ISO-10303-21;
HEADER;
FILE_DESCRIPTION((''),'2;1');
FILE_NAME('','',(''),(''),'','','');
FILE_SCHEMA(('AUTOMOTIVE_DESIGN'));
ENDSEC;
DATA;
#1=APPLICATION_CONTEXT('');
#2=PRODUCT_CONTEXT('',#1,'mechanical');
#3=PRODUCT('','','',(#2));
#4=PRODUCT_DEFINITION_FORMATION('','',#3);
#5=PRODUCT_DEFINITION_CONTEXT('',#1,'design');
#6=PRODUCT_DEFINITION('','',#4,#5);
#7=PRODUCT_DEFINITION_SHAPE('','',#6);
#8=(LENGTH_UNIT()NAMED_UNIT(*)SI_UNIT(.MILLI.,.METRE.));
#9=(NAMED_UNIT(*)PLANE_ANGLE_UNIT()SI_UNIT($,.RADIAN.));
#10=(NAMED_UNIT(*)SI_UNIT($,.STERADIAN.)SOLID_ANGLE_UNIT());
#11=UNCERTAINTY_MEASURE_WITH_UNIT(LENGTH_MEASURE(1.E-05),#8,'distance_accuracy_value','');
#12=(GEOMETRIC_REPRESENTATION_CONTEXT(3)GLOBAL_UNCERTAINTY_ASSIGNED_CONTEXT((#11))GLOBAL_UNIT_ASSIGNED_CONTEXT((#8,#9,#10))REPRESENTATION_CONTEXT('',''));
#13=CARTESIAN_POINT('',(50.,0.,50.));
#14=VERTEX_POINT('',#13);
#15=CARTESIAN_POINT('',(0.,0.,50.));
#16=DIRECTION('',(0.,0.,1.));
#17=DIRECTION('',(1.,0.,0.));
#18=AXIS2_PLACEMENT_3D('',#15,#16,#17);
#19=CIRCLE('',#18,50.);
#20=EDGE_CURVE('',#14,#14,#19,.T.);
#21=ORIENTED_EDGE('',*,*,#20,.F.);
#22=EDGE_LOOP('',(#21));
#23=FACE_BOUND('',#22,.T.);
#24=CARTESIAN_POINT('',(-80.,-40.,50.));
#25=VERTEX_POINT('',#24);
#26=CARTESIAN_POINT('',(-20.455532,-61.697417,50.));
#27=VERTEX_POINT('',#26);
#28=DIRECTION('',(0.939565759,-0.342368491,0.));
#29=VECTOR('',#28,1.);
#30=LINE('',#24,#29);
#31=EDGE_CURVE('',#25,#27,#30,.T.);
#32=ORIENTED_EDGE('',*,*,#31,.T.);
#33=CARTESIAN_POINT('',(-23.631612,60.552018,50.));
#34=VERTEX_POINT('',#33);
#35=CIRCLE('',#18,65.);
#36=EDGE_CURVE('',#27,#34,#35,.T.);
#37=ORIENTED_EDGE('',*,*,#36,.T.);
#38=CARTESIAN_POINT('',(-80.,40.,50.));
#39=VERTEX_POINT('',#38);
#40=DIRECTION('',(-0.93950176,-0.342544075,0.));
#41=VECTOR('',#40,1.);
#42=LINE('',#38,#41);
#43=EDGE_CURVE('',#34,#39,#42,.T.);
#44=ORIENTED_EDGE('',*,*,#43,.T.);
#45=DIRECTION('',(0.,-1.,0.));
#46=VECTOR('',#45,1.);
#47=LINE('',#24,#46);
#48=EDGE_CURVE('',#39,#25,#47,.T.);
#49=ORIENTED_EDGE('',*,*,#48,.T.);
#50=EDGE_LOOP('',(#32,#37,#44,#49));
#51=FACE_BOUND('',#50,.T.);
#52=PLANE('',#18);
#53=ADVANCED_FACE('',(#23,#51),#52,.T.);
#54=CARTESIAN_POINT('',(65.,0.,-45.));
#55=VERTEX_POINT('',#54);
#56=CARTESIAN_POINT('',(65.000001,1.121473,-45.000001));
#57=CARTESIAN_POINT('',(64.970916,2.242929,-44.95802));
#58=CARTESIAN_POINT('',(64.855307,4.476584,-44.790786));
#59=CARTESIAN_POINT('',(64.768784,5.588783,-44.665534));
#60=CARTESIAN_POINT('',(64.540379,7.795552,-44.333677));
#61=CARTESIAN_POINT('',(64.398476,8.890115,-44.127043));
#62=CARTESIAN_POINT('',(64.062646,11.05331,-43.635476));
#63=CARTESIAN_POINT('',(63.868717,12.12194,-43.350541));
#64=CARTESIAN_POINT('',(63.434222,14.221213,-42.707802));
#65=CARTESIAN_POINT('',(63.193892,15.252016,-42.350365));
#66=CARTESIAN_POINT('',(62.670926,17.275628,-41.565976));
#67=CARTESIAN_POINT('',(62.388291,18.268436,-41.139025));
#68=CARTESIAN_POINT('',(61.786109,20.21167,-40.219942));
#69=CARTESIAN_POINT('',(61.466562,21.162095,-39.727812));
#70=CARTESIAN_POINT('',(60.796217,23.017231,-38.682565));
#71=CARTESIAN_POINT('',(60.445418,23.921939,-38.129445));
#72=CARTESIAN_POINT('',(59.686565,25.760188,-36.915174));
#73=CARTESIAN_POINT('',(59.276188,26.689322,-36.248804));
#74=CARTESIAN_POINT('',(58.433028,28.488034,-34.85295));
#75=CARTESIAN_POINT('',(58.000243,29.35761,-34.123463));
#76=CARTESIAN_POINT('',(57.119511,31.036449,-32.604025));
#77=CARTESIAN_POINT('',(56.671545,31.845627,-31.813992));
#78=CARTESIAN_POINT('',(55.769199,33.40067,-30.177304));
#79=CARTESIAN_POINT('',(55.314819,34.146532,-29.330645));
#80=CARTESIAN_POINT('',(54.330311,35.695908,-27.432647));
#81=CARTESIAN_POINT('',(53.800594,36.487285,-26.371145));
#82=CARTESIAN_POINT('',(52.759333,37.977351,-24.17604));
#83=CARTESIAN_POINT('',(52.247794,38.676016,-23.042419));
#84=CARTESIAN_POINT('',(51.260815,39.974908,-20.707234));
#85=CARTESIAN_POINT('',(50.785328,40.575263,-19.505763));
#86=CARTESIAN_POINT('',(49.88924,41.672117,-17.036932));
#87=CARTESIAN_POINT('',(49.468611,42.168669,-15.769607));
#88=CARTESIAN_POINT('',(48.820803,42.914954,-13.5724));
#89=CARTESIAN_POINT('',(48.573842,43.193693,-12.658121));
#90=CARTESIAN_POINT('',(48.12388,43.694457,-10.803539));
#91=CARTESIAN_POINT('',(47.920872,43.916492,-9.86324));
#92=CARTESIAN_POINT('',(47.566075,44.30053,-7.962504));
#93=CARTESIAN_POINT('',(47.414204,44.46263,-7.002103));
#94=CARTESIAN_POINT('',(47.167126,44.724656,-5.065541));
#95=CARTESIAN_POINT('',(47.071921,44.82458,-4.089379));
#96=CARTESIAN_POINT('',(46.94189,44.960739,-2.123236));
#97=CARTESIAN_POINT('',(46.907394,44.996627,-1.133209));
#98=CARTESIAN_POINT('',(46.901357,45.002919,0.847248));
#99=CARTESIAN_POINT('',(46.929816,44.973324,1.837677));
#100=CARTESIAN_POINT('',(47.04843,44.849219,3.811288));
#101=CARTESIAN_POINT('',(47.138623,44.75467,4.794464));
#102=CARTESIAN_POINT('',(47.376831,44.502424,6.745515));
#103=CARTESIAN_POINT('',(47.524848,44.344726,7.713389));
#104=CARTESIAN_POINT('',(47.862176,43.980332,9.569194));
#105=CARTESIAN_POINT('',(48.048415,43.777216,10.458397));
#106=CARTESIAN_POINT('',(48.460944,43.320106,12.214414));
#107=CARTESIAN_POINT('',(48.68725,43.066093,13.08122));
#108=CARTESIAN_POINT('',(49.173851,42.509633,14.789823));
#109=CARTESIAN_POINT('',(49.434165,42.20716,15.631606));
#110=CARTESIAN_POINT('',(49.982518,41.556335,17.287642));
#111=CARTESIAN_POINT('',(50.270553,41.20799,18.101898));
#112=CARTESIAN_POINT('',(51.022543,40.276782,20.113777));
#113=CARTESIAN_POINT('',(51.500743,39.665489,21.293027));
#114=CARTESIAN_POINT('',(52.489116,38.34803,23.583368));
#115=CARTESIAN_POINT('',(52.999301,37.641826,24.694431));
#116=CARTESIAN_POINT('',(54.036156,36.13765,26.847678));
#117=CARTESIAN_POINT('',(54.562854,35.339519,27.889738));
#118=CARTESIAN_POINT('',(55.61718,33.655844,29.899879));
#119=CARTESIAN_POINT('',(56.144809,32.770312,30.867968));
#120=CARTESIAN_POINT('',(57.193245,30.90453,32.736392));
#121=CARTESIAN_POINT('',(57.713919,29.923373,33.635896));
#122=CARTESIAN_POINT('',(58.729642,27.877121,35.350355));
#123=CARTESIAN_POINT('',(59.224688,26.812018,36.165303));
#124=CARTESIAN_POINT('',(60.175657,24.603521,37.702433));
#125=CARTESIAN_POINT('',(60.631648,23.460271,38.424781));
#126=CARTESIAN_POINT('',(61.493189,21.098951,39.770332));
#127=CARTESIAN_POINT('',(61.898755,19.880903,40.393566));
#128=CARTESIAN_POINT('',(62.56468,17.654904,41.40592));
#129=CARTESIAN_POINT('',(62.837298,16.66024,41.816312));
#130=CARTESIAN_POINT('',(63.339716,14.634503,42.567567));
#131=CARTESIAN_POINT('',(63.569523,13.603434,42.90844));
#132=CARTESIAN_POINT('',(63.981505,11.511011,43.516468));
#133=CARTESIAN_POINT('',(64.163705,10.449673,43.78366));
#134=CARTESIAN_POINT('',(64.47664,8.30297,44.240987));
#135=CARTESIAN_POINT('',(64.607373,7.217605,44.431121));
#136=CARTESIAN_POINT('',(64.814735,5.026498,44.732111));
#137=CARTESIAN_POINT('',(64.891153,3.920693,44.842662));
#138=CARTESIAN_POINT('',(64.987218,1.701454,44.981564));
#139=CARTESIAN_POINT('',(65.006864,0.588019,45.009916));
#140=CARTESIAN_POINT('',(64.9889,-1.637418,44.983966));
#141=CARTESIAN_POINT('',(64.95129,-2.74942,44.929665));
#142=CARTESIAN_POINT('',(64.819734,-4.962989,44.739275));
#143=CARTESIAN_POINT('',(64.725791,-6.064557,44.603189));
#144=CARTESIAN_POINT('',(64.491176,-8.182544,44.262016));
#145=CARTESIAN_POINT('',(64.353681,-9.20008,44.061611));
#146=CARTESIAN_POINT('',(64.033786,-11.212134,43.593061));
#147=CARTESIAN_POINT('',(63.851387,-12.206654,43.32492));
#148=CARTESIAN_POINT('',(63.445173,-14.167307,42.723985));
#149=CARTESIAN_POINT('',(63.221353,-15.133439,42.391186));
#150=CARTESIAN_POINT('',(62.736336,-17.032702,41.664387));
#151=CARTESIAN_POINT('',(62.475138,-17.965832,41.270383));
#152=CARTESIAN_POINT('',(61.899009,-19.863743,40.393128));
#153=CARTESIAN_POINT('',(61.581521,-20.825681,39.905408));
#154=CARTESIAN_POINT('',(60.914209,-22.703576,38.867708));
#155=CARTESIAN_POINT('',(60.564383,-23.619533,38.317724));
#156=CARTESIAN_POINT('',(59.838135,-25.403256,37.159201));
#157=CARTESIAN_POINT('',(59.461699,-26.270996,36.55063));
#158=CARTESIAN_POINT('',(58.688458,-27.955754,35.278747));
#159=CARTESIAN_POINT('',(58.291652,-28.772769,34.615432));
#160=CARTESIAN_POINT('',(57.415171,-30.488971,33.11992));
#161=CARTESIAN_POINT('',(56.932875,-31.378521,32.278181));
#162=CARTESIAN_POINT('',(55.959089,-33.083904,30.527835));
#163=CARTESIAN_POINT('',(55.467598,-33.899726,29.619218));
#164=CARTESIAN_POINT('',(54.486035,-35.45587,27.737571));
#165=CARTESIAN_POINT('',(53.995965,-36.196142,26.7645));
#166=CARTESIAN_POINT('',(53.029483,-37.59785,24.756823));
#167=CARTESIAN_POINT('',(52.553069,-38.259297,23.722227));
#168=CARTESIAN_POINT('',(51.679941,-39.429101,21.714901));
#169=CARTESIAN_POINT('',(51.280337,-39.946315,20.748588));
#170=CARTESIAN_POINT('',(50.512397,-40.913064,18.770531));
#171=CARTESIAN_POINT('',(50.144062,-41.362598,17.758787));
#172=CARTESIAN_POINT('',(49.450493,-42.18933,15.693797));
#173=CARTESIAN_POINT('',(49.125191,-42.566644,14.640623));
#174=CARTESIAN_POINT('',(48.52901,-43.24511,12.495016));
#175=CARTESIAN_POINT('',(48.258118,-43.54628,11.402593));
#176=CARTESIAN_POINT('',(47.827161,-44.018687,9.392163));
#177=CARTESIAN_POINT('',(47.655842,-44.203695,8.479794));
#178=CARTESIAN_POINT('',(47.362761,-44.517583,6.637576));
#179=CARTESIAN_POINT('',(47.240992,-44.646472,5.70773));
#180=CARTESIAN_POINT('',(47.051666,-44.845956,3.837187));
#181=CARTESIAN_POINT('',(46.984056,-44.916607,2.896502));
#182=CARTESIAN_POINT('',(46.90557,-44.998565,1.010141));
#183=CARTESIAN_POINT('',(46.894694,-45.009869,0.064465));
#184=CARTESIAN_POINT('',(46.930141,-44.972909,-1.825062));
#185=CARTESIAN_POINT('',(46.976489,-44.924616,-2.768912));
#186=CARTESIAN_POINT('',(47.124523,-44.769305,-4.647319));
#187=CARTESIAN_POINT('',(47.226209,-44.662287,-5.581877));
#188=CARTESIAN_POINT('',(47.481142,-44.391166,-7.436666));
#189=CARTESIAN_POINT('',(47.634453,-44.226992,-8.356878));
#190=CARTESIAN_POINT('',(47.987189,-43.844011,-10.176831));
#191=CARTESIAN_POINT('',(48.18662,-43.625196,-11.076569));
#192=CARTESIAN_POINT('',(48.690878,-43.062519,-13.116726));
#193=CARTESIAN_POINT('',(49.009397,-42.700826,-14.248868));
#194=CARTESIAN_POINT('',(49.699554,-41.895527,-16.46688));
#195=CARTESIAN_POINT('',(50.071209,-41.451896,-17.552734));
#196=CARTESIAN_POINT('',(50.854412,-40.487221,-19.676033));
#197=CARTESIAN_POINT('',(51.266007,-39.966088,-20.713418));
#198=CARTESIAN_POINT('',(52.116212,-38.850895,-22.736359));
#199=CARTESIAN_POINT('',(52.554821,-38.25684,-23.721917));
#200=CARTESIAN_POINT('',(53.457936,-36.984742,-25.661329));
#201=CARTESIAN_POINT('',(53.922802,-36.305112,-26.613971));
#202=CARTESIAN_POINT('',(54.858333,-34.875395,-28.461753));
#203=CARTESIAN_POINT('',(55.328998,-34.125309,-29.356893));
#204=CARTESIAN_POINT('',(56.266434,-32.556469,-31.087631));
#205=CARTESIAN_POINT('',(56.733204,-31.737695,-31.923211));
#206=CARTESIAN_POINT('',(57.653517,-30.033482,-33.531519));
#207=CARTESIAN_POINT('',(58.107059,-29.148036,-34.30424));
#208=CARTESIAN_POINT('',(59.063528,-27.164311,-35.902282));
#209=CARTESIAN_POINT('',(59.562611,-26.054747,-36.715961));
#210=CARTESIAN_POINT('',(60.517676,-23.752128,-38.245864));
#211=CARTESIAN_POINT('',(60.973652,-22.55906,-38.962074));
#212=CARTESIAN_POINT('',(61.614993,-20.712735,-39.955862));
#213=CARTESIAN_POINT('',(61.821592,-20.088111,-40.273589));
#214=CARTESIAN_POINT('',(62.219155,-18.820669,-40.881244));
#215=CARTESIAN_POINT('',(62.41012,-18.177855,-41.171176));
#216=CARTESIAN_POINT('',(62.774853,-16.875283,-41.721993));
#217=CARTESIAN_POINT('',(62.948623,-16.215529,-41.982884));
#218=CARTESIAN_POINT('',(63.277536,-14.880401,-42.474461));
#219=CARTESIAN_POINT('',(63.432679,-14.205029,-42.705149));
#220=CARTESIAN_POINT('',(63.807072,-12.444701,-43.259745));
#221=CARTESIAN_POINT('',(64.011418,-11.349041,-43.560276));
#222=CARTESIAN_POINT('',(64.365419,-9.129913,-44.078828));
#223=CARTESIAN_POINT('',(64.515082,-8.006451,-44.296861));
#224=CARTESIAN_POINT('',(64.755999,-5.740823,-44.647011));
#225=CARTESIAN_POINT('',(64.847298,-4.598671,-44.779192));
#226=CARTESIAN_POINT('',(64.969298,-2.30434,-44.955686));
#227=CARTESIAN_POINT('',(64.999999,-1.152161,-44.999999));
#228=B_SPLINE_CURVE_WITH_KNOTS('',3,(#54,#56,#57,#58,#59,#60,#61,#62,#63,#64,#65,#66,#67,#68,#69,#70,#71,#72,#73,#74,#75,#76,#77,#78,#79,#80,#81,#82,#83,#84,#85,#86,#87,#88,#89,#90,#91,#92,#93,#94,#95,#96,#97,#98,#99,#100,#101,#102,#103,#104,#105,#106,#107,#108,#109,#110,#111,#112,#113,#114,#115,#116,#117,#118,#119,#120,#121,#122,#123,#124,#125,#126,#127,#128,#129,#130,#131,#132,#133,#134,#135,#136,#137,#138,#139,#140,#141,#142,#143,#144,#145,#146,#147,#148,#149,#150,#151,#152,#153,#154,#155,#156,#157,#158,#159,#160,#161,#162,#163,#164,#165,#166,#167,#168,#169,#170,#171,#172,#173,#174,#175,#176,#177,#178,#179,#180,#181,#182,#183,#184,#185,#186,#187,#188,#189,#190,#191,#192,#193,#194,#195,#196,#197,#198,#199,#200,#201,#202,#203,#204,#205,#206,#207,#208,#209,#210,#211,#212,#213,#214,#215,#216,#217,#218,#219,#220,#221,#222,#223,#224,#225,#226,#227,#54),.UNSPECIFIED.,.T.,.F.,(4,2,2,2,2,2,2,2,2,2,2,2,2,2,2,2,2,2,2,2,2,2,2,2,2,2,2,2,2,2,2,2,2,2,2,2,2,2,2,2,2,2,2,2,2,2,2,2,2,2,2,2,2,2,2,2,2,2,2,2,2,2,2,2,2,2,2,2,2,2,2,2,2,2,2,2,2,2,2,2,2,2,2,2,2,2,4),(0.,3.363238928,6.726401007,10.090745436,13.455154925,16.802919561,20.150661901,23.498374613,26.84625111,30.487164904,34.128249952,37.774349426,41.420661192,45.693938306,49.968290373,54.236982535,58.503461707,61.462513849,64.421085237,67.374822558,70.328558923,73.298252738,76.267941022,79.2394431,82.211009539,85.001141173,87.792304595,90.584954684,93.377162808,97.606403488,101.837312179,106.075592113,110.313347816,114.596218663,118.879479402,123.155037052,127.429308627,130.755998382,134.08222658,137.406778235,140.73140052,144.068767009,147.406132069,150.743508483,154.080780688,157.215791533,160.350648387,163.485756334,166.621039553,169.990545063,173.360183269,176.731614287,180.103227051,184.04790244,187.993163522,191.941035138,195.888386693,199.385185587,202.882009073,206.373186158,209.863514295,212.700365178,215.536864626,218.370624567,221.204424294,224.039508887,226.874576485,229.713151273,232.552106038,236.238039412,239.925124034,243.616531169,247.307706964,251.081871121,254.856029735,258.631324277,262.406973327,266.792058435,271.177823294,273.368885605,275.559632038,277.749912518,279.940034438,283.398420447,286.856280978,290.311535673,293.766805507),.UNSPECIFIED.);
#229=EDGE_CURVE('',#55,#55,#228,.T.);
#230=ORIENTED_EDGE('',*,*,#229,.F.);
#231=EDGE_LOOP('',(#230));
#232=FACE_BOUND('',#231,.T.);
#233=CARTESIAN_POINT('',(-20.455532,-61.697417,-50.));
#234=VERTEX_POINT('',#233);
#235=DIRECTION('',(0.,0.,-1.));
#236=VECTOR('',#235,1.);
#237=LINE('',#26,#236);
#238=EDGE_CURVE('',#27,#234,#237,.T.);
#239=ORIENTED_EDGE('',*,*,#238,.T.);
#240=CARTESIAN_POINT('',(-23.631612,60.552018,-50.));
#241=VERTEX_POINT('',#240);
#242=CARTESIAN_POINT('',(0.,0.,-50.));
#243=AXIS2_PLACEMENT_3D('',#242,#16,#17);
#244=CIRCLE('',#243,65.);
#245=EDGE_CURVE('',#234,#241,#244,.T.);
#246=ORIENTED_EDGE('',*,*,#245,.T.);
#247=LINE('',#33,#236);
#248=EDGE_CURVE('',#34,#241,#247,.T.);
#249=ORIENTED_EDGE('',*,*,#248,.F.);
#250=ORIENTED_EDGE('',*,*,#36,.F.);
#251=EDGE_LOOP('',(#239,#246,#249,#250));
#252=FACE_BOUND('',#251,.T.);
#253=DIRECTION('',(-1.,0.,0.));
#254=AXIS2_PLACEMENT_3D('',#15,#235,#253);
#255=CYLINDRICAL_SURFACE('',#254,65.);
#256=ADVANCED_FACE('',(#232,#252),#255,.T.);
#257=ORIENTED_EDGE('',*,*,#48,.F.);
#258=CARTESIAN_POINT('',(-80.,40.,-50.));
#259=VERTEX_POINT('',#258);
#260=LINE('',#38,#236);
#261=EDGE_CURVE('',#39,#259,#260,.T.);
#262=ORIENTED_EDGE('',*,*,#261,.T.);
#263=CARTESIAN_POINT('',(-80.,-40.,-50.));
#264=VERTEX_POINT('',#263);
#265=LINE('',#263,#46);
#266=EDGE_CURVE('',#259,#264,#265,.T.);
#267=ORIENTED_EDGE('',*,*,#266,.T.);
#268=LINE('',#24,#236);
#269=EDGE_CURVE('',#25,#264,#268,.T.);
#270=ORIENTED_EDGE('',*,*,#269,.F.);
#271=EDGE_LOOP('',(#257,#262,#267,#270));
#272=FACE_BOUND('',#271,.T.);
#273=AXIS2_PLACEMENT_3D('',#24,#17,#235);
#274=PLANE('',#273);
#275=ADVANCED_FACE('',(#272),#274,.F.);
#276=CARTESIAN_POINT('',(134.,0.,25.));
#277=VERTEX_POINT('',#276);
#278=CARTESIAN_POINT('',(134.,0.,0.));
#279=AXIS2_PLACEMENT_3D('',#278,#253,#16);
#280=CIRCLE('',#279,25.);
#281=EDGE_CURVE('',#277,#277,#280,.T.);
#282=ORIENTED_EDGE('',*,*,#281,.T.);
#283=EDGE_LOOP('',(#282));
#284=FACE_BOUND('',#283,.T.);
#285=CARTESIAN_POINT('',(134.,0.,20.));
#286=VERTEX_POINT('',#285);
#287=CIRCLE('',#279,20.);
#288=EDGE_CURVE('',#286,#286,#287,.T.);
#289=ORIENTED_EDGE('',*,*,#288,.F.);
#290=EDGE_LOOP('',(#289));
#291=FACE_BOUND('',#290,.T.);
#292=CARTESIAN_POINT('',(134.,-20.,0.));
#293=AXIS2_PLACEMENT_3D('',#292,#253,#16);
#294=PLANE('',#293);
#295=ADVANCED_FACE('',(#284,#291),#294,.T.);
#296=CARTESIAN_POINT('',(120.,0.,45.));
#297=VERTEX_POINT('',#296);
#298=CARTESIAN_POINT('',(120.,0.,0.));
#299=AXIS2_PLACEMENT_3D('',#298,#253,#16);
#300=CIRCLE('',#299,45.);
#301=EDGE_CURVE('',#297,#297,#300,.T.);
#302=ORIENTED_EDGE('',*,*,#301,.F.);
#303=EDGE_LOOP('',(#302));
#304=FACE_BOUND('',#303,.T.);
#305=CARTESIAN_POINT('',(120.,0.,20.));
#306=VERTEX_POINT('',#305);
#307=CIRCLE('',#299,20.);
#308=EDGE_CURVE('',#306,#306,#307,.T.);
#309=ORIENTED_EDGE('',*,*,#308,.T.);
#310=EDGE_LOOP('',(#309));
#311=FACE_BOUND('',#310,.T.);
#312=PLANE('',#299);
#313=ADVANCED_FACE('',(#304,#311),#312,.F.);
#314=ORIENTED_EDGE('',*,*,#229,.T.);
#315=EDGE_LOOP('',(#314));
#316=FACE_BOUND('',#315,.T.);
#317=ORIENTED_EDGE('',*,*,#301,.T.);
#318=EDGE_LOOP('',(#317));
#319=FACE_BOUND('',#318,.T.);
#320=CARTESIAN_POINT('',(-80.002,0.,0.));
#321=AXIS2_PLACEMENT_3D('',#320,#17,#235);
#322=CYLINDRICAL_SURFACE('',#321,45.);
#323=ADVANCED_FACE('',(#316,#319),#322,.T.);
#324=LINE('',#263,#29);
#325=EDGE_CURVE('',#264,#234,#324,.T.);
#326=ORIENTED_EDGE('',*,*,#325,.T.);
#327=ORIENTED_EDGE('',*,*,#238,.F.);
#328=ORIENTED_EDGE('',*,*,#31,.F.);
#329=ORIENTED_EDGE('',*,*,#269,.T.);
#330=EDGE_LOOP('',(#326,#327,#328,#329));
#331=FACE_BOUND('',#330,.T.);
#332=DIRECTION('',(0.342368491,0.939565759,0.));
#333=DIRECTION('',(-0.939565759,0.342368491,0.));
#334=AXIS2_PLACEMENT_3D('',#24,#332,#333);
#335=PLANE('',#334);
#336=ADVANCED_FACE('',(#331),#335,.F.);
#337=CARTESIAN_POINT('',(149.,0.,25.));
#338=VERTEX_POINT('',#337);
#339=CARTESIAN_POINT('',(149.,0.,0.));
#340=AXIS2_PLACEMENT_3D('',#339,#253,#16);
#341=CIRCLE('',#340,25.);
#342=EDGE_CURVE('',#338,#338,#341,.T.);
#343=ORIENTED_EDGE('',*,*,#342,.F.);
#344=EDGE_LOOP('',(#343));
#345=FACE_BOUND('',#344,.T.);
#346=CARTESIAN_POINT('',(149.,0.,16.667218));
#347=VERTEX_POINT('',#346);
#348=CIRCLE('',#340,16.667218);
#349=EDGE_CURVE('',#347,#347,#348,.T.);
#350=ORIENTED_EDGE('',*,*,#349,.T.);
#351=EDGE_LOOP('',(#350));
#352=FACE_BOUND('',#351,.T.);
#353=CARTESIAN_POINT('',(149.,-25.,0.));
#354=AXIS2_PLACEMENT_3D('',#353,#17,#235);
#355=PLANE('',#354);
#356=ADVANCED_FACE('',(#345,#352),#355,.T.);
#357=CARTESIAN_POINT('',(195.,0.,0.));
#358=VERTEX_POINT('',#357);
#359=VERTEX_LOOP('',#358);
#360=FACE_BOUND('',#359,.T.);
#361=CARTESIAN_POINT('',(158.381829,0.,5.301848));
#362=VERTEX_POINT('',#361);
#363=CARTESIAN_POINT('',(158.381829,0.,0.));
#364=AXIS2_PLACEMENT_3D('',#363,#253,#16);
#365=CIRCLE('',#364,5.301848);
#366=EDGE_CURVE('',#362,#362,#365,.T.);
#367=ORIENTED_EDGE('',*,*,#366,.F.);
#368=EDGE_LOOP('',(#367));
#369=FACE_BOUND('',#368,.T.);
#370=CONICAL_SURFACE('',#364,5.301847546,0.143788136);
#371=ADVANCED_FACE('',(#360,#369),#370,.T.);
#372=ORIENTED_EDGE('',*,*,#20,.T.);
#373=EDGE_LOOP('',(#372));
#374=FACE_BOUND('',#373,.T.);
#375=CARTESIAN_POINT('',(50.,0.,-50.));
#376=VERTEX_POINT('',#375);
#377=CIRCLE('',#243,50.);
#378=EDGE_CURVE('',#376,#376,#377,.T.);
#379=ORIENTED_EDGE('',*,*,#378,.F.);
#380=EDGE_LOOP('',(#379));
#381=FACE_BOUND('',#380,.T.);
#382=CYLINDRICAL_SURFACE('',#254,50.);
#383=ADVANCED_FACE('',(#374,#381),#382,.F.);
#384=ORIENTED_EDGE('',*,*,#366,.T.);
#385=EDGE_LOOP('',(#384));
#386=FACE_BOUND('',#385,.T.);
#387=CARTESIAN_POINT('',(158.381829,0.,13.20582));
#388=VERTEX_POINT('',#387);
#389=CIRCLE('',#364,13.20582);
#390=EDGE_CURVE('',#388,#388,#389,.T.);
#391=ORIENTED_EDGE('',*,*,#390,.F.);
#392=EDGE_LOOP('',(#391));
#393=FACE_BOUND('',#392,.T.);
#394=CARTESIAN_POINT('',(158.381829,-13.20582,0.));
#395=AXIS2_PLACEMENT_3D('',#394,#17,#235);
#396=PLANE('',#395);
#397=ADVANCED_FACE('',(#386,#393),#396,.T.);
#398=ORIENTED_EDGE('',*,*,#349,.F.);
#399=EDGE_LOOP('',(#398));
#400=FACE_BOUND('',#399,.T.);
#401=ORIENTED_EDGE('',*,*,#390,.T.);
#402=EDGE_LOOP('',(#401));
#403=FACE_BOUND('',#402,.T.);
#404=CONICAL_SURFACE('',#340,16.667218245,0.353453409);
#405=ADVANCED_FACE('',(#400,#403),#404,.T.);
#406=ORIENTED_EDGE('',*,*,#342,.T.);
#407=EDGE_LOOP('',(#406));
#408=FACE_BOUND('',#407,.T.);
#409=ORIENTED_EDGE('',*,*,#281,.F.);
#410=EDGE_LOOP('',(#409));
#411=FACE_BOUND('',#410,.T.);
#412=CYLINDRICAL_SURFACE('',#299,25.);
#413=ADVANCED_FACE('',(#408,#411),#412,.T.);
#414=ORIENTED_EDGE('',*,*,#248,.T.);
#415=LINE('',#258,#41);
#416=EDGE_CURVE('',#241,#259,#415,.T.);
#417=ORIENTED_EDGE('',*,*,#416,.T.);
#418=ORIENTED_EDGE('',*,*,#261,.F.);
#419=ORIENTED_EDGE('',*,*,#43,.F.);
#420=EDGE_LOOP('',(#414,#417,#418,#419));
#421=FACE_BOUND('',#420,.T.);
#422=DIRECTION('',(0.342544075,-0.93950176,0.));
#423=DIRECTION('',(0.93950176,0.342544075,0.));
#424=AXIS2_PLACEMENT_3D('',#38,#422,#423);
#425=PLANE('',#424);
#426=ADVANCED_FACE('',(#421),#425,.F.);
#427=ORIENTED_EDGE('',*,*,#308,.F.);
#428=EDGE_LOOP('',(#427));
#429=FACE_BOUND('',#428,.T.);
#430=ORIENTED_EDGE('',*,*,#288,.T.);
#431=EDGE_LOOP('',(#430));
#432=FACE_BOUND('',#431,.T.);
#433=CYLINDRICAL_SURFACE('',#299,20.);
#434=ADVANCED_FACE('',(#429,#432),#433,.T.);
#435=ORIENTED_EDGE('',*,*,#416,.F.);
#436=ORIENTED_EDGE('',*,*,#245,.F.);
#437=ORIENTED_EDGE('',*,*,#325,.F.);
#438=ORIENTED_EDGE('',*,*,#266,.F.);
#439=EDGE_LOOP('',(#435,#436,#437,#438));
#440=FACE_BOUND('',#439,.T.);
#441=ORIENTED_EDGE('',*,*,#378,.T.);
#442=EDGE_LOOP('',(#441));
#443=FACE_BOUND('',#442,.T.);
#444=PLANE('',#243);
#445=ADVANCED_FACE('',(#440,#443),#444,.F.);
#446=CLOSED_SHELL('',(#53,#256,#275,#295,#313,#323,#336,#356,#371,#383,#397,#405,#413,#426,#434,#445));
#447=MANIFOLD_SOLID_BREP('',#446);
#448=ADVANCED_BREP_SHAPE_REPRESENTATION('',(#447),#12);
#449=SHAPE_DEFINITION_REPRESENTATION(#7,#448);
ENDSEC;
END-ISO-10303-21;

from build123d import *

# Parameters (mm, degrees)
SKETCH1_R                = 50
BOSS_EXTRUDE1_DEPTH      = 50
BOSS_EXTRUDE2_REACH      = 218.16
BOSS_EXTRUDE2_END_RADIUS = 65
SKETCH3_R                = 45


with BuildPart() as part:
    # Sketch1 → Boss-Extrude1 (new, symmetric)
    with BuildSketch(Plane.XY):
        with BuildLine():
            Line((-80, -40), (-80, 40))
            Line((-80, 40), (-23.631612274, 60.552018144))
            ThreePointArc((-23.631612274, 60.552018144), (64.978074331, 1.688151706), (-20.45553182, -61.697416623))
            Line((-20.45553182, -61.697416623), (-80, -40))
        make_face()
        Circle(SKETCH1_R, mode=Mode.SUBTRACT)
    extrude(amount=BOSS_EXTRUDE1_DEPTH, both=True)

    # Boss-Extrude2: up to this cylinder (the profile starts outside it)
    boss_extrude2_end = Plane(origin=(0, 0, 0), z_dir=(0, 0, -1)) * Cylinder(BOSS_EXTRUDE2_END_RADIUS, 567.32, mode=Mode.PRIVATE)
    # Sketch3 → Boss-Extrude2 (add, up to the surface)
    with BuildSketch(Plane.ZY.offset(-120), mode=Mode.PRIVATE) as boss_extrude2_sk1:
        with Locations(Location((0, 0, 0), (0, 0, 180))):
            Circle(SKETCH3_R)
    boss_extrude2_tool1 = extrude(boss_extrude2_sk1.sketch, amount=BOSS_EXTRUDE2_REACH, mode=Mode.PRIVATE) - boss_extrude2_end
    add(boss_extrude2_tool1.solids().sort_by_distance((120, 0, 0))[0])

    # Sketch4 → Revolve1 (revolve)
    with BuildSketch(Plane.XY, mode=Mode.PRIVATE) as revolve1_sk:
        Polygon((120, 0), (195, 0), (158.381829475, -5.301847546), (158.381829475, -13.205820305), (149, -16.667218245), (149, -25), (134, -25), (134, -20), (120, -20), align=None)
    revolve(revolve1_sk.sketch.rotate(Axis((120, 0, 0), (1, 0, 0)), 270), axis=Axis((120, 0, 0), (1, 0, 0)))


solid = part.part
